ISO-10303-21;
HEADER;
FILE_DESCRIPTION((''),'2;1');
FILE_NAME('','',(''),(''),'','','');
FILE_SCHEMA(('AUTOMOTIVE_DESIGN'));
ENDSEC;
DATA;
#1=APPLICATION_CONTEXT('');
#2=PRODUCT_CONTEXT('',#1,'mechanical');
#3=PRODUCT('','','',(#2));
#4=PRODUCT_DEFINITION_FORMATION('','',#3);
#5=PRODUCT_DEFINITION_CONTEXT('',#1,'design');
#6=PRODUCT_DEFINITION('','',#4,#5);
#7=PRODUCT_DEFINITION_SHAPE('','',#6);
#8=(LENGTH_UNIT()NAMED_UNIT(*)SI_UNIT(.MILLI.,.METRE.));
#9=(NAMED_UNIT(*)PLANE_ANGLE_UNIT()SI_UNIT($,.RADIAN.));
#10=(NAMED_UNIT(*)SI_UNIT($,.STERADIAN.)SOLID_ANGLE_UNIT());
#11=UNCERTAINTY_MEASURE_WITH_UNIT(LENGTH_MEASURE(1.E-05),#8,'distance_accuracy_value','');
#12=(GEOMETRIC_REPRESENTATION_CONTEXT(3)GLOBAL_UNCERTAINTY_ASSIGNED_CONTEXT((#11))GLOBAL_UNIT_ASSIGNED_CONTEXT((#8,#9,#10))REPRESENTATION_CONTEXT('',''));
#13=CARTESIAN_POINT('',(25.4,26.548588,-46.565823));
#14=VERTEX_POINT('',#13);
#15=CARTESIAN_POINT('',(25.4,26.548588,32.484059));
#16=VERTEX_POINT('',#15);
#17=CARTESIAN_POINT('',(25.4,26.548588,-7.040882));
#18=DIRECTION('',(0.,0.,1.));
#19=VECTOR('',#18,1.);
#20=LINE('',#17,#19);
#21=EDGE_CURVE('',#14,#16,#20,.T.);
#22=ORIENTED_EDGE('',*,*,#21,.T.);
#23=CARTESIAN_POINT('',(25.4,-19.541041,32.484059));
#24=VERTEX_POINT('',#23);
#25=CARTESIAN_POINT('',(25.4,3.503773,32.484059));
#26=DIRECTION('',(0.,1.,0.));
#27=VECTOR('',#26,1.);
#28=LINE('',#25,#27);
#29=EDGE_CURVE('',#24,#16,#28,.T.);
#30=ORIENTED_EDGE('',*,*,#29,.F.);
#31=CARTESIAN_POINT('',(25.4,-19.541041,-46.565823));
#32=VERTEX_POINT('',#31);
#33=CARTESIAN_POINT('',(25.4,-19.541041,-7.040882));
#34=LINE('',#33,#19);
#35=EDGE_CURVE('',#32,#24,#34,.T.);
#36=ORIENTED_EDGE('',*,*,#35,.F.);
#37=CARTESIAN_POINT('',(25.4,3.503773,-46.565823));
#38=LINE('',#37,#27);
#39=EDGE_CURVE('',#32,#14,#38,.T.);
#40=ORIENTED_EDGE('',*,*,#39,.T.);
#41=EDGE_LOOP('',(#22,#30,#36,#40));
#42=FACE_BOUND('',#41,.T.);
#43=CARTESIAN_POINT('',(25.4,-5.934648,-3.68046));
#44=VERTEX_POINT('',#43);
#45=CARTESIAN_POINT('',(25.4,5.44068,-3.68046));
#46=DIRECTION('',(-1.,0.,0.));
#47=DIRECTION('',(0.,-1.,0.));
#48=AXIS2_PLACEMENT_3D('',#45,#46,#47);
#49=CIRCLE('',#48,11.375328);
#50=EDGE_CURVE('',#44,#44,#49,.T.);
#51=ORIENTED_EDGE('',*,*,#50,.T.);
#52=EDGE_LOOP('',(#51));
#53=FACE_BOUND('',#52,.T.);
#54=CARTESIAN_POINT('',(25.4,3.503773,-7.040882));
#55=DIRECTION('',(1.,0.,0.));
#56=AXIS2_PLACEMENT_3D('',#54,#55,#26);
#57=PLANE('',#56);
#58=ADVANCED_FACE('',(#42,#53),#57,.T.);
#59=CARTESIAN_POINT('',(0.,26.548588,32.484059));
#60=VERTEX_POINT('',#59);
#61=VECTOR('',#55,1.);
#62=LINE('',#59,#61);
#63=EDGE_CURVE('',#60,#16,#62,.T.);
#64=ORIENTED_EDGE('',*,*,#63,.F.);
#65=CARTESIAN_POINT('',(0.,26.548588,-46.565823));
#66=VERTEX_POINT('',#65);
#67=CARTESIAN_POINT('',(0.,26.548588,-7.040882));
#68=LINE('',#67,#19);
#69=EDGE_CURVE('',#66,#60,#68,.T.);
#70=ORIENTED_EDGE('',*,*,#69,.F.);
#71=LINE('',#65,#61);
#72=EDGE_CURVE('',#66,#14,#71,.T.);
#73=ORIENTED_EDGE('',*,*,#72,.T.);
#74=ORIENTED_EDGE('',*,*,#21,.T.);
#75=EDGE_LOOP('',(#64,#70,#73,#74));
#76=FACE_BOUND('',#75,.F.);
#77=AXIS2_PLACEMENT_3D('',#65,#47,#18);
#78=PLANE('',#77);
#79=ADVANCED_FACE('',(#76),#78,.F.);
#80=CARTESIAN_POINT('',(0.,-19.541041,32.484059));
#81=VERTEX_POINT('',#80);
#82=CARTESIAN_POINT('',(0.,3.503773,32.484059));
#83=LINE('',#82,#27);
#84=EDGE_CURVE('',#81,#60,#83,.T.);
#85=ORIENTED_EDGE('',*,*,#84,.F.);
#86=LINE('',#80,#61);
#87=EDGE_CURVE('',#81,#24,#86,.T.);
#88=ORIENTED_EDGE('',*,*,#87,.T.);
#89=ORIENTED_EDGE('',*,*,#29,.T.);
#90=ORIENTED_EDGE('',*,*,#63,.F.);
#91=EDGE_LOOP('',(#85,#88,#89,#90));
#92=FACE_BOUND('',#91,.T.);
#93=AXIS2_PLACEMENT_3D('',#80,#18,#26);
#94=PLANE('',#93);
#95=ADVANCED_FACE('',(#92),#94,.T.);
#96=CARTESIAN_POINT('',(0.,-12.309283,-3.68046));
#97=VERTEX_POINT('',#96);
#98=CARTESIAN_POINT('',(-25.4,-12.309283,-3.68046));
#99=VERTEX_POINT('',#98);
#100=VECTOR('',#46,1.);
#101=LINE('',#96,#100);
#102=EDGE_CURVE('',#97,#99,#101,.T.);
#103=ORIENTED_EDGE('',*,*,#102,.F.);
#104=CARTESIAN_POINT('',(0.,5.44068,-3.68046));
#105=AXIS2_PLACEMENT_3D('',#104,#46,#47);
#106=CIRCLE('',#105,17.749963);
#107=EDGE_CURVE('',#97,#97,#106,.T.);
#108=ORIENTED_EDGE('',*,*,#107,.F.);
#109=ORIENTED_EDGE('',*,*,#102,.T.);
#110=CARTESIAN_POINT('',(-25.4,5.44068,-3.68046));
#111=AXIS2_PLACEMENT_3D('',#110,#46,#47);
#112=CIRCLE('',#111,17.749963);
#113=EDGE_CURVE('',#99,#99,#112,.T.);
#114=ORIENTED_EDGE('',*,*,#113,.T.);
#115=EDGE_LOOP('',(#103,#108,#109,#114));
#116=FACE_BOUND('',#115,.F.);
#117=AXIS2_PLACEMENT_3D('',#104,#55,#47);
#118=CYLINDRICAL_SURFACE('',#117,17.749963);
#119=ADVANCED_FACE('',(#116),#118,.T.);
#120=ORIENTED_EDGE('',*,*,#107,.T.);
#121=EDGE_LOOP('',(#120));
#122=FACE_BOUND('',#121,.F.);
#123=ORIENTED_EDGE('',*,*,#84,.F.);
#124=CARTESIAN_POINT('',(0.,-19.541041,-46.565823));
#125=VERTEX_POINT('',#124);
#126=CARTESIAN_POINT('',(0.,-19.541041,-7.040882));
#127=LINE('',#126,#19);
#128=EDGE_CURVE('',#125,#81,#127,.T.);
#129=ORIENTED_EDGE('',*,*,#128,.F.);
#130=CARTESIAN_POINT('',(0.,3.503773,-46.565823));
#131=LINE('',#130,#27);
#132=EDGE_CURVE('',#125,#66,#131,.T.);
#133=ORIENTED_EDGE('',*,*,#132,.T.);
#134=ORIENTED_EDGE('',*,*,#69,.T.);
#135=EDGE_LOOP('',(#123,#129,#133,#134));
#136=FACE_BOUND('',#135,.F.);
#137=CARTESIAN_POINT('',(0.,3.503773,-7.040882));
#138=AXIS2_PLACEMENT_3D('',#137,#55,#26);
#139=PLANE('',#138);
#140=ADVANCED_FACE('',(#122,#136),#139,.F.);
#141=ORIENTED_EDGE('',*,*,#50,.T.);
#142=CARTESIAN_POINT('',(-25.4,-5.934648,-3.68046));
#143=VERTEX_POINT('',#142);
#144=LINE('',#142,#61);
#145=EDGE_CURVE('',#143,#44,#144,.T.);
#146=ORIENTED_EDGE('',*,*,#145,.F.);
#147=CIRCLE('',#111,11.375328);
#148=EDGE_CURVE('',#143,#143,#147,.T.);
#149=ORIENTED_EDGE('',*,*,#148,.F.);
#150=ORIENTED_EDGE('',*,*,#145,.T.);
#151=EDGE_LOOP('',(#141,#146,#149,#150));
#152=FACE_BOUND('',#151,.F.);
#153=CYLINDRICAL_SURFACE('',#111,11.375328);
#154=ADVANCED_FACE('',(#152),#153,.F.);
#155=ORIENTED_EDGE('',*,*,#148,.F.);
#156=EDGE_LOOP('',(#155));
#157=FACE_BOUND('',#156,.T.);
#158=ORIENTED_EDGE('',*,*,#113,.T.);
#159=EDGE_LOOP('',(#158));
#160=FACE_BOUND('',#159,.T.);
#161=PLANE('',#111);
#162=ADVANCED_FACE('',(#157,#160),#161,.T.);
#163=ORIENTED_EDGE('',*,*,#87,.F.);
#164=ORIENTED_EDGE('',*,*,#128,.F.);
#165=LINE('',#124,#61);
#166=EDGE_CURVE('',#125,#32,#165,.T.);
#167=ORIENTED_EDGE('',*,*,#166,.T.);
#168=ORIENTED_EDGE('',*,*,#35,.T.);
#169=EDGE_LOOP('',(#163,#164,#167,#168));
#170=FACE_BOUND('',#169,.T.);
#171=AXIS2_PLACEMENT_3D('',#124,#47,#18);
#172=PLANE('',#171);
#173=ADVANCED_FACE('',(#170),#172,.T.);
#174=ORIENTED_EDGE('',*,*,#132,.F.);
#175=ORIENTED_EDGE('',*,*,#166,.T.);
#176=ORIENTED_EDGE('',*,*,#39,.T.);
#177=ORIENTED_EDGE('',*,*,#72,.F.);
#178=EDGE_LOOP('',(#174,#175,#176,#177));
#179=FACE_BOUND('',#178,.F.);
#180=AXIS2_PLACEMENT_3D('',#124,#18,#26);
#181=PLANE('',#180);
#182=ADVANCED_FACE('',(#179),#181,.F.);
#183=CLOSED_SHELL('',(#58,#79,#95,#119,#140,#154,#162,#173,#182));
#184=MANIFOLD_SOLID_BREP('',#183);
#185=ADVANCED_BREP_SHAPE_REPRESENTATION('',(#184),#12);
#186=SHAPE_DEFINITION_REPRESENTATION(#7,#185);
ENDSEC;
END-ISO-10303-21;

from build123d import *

# Parameters (mm, degrees)
F0_W     = 46.089629
F0_H     = 79.049881
F1_DEPTH = 25.4
F2_R     = 17.749963
F3_DEPTH = 25.4
F4_R     = 11.375328
F5_DEPTH = 50.801


with BuildPart() as f1:
    # F0 (on Right) → F1 (new body)
    with BuildSketch(Plane.YZ):
        with Locations((3.503773, -7.040882)):
            Rectangle(F0_W, F0_H)
    extrude(amount=F1_DEPTH)

    # F2 (on face) → F3 (join)
    with BuildSketch(Plane(origin=(0, 0, 0), x_dir=(0, -1, 0), z_dir=(-1, 0, 0))):
        with Locations((-5.44068, -3.68046)):
            Circle(F2_R)
    extrude(amount=F3_DEPTH)

    # F4 (on face) → F5 (cut, through all)
    with BuildSketch(Plane(origin=(-25.4, 0, 0), x_dir=(0, -1, 0), z_dir=(-1, 0, 0))):
        with Locations((-5.44068, -3.68046)):
            Circle(F4_R)
    extrude(amount=-F5_DEPTH, mode=Mode.SUBTRACT)


solid = f1.part
